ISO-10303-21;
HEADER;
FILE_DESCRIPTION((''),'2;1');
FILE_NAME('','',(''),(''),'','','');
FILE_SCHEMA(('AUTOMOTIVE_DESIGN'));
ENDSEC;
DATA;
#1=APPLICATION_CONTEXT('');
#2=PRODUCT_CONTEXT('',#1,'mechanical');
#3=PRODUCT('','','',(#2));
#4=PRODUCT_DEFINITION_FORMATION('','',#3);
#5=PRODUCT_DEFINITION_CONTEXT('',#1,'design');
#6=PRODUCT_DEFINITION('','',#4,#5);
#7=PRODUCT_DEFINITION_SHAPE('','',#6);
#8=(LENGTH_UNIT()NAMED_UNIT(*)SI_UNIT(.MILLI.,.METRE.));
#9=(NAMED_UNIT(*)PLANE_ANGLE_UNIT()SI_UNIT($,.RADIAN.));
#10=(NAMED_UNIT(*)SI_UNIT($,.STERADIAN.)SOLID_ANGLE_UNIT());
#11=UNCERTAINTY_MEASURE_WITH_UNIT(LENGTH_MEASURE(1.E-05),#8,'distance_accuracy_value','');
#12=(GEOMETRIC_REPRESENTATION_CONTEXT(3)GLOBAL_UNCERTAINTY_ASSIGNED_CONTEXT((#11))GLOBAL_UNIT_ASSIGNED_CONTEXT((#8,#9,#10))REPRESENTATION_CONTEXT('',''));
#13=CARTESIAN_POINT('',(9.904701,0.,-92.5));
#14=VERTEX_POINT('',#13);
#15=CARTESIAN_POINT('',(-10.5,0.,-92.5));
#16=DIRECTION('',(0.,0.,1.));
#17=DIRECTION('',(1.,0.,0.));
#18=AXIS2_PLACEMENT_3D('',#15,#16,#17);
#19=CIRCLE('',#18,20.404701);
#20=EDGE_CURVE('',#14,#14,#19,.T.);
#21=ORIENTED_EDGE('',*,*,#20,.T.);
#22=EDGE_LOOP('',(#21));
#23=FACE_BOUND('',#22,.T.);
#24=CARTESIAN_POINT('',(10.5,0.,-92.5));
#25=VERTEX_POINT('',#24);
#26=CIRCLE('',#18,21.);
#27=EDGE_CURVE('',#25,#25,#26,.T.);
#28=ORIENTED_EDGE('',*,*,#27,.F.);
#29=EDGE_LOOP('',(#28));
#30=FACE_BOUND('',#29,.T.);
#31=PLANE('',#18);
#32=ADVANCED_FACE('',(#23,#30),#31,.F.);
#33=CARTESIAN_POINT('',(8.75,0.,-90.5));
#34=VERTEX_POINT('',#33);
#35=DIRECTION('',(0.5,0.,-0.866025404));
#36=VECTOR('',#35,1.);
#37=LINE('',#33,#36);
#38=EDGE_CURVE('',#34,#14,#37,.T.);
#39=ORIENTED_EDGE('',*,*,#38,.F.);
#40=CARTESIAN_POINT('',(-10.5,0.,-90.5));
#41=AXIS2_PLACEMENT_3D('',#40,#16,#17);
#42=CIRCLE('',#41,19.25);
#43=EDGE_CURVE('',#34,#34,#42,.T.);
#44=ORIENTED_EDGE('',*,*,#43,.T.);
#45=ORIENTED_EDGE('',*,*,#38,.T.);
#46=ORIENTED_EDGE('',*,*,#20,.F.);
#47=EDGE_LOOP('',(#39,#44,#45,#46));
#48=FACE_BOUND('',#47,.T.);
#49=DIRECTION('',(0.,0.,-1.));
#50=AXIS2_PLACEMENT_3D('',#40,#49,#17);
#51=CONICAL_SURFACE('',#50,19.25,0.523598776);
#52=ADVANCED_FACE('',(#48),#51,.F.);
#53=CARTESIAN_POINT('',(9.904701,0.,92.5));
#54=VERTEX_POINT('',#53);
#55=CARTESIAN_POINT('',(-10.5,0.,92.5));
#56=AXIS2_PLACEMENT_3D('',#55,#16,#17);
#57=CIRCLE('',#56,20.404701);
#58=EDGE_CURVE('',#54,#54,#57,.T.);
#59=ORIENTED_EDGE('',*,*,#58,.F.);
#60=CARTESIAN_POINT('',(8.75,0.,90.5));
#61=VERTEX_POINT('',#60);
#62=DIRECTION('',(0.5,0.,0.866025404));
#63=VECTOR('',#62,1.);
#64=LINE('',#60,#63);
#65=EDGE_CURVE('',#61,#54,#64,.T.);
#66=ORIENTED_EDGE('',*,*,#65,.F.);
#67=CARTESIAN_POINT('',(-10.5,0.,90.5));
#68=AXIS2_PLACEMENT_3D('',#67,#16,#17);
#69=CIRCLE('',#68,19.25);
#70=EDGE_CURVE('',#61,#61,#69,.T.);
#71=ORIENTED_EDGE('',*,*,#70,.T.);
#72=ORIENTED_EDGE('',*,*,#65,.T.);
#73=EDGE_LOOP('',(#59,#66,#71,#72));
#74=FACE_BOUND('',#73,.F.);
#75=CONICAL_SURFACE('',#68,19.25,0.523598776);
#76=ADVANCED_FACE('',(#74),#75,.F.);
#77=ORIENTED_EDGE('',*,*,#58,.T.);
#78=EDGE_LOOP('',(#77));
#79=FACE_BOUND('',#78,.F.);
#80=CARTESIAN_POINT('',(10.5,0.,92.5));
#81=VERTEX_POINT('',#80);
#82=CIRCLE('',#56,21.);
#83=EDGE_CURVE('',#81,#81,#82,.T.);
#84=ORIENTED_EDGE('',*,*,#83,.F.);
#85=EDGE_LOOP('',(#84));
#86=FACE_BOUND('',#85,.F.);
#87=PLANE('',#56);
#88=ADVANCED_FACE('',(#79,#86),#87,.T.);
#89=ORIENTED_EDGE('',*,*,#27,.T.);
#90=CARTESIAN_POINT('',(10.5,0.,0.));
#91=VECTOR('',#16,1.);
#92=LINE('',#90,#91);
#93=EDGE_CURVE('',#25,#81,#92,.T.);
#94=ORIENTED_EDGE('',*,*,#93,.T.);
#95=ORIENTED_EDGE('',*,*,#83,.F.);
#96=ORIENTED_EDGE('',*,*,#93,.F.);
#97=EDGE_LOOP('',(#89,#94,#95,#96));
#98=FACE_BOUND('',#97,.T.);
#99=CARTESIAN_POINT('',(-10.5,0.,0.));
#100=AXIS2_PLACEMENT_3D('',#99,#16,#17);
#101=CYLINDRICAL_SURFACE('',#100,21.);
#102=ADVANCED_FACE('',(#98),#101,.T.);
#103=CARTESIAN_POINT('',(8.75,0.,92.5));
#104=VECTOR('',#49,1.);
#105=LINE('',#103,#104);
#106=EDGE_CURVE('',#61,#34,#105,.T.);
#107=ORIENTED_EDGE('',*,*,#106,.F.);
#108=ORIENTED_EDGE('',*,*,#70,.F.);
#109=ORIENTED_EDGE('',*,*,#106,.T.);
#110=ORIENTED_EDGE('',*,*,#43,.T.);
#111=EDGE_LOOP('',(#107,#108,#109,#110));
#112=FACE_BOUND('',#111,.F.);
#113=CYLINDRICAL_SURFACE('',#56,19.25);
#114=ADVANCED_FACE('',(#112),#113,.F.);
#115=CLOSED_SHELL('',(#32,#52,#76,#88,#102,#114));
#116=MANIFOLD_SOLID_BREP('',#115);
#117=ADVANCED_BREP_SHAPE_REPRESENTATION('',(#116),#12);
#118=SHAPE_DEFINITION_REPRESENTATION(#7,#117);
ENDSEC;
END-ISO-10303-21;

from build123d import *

# Parameters (mm, degrees)
F0_W     = 21
F0_H     = 185
F2_R     = 19.25
F3_DEPTH = 185.001
F4_SIZE2 = 1.1547005384
F4_SIZE  = 2


with BuildPart() as f1:
    # F0 (on Front) → F1 (revolve)
    with BuildSketch(Plane.XZ):
        Rectangle(F0_W, F0_H)
    revolve(axis=Axis((-10.5, 0, 0), (0, 0, 1)))

    # F2 (on face) → F3 (cut, through all)
    with BuildSketch(Plane.XY.offset(92.5)):
        with Locations((-10.5, 0)):
            Circle(F2_R)
    extrude(amount=-F3_DEPTH, mode=Mode.SUBTRACT)

    # F4
    f4_edges = [f1.edges().sort_by_distance(p)[0] for p in [
        (-29.75, 0, 92.5),
        (-29.75, 0, -92.5),
    ]]
    f4_side = f1.faces().sort_by_distance((-29.75, 0, 0))[0]
    chamfer(f4_edges, length=F4_SIZE, length2=F4_SIZE2, reference=f4_side)


solid = f1.part
